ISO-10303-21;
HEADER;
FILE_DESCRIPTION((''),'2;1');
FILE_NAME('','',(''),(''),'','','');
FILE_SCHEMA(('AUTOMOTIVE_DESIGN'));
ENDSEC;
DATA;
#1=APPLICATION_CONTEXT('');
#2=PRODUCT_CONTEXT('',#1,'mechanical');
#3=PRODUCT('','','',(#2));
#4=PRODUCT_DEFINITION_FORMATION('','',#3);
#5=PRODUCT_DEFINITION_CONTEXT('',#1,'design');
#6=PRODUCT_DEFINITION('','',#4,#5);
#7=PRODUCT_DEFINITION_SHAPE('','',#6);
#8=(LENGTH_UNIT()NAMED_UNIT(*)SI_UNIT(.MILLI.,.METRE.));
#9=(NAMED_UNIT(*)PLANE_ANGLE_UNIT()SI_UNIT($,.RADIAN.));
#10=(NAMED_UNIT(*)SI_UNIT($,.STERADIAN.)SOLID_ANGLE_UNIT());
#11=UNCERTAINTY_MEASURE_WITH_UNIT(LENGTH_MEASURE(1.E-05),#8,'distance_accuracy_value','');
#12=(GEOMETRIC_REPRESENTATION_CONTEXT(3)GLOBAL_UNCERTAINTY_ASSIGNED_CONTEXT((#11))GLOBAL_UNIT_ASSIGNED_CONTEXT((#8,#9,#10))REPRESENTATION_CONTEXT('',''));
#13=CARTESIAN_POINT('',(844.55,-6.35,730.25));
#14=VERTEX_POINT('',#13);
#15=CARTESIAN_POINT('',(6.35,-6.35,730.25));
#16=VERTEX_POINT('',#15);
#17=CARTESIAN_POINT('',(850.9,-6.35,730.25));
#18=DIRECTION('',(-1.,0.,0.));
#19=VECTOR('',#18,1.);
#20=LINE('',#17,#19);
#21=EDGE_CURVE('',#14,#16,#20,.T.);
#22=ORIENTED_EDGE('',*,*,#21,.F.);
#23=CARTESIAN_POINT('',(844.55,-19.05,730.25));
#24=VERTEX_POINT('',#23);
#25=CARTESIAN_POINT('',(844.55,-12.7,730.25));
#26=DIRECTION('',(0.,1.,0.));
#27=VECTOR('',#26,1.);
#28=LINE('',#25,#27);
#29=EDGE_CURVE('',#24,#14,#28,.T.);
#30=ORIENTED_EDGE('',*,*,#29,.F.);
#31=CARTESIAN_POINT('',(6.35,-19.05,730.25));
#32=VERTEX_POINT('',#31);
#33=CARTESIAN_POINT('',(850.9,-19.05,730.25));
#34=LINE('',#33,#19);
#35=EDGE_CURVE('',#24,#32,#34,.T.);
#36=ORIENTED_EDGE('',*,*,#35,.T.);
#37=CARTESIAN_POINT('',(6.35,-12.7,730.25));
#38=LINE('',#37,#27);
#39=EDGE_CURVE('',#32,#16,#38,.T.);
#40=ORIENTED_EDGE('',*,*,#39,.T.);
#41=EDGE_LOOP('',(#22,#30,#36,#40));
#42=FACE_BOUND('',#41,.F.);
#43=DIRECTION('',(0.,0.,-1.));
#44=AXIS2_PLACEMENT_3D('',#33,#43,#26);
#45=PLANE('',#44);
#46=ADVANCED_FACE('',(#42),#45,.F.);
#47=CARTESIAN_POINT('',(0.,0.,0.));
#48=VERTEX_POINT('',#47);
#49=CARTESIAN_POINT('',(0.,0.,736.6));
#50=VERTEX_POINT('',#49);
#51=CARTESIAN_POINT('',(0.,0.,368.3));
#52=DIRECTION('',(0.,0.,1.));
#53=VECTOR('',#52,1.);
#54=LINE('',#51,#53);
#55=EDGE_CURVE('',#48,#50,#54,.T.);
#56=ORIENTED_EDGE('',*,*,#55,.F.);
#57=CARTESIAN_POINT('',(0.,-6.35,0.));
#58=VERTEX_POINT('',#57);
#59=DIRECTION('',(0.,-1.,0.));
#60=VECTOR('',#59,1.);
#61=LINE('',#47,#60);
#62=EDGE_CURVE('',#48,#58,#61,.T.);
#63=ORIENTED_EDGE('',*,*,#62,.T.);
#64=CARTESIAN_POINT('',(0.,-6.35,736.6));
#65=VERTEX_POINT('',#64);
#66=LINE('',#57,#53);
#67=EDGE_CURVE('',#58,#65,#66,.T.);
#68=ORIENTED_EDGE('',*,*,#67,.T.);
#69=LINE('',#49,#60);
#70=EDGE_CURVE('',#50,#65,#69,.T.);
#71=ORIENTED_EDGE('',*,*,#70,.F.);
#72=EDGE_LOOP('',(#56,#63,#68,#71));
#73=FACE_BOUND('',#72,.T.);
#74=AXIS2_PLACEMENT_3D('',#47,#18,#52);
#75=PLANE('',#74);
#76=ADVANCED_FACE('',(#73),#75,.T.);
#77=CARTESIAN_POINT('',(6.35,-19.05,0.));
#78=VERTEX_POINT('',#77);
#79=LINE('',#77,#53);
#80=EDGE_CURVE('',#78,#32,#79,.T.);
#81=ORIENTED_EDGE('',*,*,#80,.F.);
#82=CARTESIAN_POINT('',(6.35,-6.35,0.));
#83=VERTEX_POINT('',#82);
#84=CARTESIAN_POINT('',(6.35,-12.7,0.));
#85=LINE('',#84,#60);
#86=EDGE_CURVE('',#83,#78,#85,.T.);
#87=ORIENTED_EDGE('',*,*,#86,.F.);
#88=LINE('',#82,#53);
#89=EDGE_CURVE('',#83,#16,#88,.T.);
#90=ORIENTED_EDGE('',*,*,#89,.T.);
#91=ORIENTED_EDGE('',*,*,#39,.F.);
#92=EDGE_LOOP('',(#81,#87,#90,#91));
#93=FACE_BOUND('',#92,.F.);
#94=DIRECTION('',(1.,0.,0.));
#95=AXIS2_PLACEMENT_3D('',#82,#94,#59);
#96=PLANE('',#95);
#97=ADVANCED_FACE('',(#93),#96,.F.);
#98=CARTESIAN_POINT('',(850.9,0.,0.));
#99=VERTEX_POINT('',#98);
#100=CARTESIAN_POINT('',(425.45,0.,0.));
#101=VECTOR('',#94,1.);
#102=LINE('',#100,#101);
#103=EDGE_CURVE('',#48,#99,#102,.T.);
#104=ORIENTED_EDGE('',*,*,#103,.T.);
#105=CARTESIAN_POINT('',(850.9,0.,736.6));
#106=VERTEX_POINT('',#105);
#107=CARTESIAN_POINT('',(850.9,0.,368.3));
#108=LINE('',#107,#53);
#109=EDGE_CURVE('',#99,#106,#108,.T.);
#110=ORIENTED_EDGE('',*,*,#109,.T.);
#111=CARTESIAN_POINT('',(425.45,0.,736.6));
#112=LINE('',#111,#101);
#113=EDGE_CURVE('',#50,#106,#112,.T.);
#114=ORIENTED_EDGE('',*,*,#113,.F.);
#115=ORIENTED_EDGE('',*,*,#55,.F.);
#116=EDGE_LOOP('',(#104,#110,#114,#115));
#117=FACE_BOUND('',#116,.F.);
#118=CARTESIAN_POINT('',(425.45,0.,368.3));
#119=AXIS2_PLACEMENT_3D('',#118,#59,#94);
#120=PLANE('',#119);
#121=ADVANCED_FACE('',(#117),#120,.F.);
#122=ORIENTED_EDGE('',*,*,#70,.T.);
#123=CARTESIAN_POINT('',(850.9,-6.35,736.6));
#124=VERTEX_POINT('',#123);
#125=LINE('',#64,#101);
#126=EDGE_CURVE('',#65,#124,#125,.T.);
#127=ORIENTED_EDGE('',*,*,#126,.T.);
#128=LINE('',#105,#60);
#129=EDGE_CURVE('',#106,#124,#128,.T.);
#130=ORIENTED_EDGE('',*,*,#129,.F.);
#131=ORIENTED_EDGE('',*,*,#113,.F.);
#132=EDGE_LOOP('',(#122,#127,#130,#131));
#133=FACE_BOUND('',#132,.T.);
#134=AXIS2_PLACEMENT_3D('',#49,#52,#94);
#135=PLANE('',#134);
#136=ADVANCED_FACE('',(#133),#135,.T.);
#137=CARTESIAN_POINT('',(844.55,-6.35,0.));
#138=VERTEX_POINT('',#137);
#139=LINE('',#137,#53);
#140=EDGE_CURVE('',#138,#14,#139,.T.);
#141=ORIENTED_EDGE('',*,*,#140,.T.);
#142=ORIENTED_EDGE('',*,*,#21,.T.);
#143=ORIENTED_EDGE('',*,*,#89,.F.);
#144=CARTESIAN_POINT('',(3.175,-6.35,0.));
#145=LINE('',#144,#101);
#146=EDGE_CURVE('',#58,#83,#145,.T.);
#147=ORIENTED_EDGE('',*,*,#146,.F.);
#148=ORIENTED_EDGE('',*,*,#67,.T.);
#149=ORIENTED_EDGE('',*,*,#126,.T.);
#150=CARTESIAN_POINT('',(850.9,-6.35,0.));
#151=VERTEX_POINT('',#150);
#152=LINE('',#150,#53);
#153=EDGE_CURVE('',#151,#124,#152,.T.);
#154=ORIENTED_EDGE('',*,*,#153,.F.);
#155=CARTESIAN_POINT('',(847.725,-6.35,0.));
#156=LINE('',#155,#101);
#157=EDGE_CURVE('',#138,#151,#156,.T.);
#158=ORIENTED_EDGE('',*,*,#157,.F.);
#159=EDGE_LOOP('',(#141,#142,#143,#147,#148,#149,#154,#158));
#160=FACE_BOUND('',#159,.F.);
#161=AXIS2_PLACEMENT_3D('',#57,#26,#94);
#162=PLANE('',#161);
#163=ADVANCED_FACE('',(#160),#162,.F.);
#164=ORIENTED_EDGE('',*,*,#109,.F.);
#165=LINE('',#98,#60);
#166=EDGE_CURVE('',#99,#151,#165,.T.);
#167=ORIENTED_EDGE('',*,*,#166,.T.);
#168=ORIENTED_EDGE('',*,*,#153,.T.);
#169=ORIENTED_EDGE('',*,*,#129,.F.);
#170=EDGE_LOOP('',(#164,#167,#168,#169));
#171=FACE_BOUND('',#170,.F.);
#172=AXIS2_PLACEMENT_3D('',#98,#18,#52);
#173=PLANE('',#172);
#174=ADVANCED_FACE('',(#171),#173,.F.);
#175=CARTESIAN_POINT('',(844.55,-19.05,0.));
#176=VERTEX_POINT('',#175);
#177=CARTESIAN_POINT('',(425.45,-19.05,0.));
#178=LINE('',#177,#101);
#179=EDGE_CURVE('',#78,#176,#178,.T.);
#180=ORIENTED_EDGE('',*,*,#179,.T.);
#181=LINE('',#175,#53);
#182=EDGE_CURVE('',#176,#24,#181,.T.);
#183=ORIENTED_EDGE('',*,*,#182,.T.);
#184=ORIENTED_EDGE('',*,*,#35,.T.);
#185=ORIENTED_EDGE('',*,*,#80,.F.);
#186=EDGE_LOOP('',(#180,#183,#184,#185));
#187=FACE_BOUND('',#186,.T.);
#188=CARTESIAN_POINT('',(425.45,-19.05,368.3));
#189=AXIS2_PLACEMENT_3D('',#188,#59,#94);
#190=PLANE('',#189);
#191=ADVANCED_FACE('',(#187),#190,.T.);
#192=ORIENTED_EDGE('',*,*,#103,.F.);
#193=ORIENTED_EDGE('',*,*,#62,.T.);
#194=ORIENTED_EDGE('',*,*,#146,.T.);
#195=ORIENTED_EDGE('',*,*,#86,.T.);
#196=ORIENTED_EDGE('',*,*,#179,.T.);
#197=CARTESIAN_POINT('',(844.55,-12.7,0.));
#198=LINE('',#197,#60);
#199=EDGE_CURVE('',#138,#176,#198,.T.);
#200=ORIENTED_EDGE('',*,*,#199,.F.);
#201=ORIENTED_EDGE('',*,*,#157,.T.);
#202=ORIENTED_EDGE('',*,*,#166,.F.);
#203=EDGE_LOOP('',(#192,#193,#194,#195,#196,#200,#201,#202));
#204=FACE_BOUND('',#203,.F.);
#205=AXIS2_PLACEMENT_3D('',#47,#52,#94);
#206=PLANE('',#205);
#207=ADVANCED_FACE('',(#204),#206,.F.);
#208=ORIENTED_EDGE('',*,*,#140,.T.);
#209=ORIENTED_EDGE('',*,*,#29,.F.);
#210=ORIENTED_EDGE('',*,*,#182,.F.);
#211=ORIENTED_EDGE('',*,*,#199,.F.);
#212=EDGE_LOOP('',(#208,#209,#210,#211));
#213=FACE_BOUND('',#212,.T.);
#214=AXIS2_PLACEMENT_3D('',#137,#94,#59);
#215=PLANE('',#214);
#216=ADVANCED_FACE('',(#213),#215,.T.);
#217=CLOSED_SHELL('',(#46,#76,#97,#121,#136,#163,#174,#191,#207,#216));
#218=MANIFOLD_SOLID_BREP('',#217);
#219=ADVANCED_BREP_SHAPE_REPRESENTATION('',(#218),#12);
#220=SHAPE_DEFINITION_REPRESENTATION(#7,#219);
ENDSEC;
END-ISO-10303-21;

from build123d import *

# Parameters (mm, degrees)
F0_W     = 850.9
F0_H     = 736.6
F1_DEPTH = 19.05
F2_W     = 6.35
F2_H     = 12.7
F4_DEPTH = 736.601
F3_W     = 12.7
F3_H     = 6.35
F5_DEPTH = 850.901


with BuildPart() as f1:
    # F0 (on Front) → F1 (new body)
    with BuildSketch(Plane.XZ):
        with Locations((425.45, 368.3)):
            Rectangle(F0_W, F0_H)
    extrude(amount=F1_DEPTH)

    # F2 (on face) → F4 (cut, through all)
    with BuildSketch(Plane(origin=(0, 0, 0), x_dir=(1, 0, 0), z_dir=(0, 0, -1))):
        with Locations((847.725, 12.7)):
            Rectangle(F2_W, F2_H)
        with Locations((3.175, 12.7)):
            Rectangle(F2_W, F2_H)
    extrude(amount=-F4_DEPTH, mode=Mode.SUBTRACT)

    # F3 (on face) → F5 (cut, through all)
    with BuildSketch(Plane.YZ.offset(850.9)):
        with Locations((-12.7, 733.425)):
            Rectangle(F3_W, F3_H)
    extrude(amount=-F5_DEPTH, mode=Mode.SUBTRACT)


solid = f1.part
